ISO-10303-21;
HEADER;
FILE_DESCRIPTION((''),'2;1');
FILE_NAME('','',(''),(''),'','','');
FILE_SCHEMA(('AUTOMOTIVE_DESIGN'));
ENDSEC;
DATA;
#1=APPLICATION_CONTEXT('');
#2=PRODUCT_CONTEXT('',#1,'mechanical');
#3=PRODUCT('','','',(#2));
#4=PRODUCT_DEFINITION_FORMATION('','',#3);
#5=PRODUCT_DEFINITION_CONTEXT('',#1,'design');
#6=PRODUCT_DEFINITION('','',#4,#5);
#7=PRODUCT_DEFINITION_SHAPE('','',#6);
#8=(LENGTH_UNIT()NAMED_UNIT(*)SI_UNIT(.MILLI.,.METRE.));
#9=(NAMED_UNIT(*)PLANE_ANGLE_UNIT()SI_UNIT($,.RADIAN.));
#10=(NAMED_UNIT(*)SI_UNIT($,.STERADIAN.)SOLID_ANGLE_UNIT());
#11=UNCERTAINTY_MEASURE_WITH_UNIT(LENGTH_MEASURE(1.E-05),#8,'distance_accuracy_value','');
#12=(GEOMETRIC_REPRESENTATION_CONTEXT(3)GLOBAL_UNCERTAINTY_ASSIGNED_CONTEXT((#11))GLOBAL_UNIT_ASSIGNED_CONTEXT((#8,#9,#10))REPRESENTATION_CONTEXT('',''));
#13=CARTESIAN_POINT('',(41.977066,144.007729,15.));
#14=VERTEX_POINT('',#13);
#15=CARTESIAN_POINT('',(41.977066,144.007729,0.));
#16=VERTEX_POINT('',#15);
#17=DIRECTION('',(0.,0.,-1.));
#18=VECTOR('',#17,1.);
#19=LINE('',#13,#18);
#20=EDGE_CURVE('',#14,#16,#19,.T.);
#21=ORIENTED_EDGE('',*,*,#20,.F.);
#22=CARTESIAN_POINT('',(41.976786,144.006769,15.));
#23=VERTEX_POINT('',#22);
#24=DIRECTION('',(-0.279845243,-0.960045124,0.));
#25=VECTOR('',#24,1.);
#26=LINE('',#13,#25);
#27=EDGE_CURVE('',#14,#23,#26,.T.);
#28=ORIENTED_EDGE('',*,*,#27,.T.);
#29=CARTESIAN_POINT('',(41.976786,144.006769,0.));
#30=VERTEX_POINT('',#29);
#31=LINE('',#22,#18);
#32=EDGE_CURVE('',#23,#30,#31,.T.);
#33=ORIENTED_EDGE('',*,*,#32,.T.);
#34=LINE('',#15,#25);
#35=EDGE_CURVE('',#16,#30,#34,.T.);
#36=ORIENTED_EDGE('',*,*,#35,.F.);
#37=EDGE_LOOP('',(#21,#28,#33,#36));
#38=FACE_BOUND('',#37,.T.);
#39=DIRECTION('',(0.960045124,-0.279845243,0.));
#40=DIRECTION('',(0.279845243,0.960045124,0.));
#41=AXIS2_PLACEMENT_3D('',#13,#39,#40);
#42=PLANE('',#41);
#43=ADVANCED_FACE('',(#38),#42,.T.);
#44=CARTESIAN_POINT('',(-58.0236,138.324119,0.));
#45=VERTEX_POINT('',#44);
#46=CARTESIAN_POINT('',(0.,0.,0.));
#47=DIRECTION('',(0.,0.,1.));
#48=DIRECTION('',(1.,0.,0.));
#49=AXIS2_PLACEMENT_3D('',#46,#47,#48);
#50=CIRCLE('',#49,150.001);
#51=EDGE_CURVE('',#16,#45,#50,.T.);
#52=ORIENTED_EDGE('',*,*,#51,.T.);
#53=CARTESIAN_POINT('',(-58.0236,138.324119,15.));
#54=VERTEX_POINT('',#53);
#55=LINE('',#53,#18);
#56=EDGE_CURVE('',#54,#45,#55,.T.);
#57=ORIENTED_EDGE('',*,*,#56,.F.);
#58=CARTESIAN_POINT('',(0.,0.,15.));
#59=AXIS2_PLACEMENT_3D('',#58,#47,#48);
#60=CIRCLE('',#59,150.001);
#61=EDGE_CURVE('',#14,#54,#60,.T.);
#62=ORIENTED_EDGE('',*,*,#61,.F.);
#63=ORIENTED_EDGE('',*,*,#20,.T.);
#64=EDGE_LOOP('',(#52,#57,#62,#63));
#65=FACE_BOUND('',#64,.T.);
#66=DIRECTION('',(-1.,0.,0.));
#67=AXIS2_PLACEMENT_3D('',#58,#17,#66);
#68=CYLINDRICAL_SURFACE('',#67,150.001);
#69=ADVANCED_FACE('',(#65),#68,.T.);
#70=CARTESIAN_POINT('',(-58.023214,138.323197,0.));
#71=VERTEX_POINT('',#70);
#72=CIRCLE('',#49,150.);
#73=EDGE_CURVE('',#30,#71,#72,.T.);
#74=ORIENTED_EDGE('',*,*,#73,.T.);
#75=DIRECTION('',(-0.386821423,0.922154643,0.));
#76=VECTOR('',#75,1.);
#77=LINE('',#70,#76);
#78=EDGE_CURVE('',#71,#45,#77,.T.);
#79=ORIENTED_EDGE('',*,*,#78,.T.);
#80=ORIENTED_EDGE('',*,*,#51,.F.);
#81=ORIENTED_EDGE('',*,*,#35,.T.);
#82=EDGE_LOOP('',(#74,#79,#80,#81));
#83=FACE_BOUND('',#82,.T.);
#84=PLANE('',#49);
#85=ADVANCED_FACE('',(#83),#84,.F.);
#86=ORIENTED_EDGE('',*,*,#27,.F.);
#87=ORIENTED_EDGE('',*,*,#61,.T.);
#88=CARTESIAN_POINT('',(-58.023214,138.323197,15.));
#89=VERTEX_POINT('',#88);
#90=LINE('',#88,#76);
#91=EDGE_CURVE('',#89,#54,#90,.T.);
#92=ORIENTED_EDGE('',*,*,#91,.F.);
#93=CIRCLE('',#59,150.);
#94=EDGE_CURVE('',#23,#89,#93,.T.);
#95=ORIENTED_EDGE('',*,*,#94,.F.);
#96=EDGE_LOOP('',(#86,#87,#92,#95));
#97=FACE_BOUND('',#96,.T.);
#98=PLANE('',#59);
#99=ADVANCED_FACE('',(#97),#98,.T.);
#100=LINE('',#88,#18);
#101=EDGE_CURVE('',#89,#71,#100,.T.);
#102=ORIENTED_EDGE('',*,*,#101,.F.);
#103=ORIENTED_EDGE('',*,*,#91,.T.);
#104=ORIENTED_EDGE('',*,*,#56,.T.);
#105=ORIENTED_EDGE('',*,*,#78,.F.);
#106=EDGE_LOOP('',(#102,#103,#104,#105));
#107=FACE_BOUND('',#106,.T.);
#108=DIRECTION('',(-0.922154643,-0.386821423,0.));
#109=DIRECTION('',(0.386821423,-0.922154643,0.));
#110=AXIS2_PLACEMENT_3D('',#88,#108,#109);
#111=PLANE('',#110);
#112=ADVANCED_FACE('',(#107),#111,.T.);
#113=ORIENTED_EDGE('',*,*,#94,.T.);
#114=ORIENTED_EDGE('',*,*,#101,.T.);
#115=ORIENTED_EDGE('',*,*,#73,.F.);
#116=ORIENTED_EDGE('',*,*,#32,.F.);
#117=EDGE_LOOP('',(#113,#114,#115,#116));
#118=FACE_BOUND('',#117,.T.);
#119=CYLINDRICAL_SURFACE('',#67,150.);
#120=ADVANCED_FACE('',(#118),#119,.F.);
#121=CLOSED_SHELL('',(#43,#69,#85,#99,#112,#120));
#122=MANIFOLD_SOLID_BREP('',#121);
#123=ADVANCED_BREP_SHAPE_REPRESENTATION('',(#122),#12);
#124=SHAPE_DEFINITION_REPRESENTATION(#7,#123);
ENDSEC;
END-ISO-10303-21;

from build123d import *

# Parameters (mm, degrees)
EXTRUDE_THIN1_DEPTH = 15


with BuildPart() as part:
    # Sketch1 → Extrude-Thin1 (new body)
    with BuildSketch(Plane.XY):
        with BuildLine():
            ThreePointArc((41.976786482, 144.006768579), (-8.511621644, 149.758312948), (-58.023213518, 138.323196511))
            Line((-58.023213518, 138.323196511), (-58.023600339, 138.324118666))
            ThreePointArc((-58.023600339, 138.324118666), (-8.511678388, 149.759311337), (41.977066327, 144.007728624))
            Line((41.977066327, 144.007728624), (41.976786482, 144.006768579))
        make_face()
    extrude(amount=EXTRUDE_THIN1_DEPTH)


solid = part.part
